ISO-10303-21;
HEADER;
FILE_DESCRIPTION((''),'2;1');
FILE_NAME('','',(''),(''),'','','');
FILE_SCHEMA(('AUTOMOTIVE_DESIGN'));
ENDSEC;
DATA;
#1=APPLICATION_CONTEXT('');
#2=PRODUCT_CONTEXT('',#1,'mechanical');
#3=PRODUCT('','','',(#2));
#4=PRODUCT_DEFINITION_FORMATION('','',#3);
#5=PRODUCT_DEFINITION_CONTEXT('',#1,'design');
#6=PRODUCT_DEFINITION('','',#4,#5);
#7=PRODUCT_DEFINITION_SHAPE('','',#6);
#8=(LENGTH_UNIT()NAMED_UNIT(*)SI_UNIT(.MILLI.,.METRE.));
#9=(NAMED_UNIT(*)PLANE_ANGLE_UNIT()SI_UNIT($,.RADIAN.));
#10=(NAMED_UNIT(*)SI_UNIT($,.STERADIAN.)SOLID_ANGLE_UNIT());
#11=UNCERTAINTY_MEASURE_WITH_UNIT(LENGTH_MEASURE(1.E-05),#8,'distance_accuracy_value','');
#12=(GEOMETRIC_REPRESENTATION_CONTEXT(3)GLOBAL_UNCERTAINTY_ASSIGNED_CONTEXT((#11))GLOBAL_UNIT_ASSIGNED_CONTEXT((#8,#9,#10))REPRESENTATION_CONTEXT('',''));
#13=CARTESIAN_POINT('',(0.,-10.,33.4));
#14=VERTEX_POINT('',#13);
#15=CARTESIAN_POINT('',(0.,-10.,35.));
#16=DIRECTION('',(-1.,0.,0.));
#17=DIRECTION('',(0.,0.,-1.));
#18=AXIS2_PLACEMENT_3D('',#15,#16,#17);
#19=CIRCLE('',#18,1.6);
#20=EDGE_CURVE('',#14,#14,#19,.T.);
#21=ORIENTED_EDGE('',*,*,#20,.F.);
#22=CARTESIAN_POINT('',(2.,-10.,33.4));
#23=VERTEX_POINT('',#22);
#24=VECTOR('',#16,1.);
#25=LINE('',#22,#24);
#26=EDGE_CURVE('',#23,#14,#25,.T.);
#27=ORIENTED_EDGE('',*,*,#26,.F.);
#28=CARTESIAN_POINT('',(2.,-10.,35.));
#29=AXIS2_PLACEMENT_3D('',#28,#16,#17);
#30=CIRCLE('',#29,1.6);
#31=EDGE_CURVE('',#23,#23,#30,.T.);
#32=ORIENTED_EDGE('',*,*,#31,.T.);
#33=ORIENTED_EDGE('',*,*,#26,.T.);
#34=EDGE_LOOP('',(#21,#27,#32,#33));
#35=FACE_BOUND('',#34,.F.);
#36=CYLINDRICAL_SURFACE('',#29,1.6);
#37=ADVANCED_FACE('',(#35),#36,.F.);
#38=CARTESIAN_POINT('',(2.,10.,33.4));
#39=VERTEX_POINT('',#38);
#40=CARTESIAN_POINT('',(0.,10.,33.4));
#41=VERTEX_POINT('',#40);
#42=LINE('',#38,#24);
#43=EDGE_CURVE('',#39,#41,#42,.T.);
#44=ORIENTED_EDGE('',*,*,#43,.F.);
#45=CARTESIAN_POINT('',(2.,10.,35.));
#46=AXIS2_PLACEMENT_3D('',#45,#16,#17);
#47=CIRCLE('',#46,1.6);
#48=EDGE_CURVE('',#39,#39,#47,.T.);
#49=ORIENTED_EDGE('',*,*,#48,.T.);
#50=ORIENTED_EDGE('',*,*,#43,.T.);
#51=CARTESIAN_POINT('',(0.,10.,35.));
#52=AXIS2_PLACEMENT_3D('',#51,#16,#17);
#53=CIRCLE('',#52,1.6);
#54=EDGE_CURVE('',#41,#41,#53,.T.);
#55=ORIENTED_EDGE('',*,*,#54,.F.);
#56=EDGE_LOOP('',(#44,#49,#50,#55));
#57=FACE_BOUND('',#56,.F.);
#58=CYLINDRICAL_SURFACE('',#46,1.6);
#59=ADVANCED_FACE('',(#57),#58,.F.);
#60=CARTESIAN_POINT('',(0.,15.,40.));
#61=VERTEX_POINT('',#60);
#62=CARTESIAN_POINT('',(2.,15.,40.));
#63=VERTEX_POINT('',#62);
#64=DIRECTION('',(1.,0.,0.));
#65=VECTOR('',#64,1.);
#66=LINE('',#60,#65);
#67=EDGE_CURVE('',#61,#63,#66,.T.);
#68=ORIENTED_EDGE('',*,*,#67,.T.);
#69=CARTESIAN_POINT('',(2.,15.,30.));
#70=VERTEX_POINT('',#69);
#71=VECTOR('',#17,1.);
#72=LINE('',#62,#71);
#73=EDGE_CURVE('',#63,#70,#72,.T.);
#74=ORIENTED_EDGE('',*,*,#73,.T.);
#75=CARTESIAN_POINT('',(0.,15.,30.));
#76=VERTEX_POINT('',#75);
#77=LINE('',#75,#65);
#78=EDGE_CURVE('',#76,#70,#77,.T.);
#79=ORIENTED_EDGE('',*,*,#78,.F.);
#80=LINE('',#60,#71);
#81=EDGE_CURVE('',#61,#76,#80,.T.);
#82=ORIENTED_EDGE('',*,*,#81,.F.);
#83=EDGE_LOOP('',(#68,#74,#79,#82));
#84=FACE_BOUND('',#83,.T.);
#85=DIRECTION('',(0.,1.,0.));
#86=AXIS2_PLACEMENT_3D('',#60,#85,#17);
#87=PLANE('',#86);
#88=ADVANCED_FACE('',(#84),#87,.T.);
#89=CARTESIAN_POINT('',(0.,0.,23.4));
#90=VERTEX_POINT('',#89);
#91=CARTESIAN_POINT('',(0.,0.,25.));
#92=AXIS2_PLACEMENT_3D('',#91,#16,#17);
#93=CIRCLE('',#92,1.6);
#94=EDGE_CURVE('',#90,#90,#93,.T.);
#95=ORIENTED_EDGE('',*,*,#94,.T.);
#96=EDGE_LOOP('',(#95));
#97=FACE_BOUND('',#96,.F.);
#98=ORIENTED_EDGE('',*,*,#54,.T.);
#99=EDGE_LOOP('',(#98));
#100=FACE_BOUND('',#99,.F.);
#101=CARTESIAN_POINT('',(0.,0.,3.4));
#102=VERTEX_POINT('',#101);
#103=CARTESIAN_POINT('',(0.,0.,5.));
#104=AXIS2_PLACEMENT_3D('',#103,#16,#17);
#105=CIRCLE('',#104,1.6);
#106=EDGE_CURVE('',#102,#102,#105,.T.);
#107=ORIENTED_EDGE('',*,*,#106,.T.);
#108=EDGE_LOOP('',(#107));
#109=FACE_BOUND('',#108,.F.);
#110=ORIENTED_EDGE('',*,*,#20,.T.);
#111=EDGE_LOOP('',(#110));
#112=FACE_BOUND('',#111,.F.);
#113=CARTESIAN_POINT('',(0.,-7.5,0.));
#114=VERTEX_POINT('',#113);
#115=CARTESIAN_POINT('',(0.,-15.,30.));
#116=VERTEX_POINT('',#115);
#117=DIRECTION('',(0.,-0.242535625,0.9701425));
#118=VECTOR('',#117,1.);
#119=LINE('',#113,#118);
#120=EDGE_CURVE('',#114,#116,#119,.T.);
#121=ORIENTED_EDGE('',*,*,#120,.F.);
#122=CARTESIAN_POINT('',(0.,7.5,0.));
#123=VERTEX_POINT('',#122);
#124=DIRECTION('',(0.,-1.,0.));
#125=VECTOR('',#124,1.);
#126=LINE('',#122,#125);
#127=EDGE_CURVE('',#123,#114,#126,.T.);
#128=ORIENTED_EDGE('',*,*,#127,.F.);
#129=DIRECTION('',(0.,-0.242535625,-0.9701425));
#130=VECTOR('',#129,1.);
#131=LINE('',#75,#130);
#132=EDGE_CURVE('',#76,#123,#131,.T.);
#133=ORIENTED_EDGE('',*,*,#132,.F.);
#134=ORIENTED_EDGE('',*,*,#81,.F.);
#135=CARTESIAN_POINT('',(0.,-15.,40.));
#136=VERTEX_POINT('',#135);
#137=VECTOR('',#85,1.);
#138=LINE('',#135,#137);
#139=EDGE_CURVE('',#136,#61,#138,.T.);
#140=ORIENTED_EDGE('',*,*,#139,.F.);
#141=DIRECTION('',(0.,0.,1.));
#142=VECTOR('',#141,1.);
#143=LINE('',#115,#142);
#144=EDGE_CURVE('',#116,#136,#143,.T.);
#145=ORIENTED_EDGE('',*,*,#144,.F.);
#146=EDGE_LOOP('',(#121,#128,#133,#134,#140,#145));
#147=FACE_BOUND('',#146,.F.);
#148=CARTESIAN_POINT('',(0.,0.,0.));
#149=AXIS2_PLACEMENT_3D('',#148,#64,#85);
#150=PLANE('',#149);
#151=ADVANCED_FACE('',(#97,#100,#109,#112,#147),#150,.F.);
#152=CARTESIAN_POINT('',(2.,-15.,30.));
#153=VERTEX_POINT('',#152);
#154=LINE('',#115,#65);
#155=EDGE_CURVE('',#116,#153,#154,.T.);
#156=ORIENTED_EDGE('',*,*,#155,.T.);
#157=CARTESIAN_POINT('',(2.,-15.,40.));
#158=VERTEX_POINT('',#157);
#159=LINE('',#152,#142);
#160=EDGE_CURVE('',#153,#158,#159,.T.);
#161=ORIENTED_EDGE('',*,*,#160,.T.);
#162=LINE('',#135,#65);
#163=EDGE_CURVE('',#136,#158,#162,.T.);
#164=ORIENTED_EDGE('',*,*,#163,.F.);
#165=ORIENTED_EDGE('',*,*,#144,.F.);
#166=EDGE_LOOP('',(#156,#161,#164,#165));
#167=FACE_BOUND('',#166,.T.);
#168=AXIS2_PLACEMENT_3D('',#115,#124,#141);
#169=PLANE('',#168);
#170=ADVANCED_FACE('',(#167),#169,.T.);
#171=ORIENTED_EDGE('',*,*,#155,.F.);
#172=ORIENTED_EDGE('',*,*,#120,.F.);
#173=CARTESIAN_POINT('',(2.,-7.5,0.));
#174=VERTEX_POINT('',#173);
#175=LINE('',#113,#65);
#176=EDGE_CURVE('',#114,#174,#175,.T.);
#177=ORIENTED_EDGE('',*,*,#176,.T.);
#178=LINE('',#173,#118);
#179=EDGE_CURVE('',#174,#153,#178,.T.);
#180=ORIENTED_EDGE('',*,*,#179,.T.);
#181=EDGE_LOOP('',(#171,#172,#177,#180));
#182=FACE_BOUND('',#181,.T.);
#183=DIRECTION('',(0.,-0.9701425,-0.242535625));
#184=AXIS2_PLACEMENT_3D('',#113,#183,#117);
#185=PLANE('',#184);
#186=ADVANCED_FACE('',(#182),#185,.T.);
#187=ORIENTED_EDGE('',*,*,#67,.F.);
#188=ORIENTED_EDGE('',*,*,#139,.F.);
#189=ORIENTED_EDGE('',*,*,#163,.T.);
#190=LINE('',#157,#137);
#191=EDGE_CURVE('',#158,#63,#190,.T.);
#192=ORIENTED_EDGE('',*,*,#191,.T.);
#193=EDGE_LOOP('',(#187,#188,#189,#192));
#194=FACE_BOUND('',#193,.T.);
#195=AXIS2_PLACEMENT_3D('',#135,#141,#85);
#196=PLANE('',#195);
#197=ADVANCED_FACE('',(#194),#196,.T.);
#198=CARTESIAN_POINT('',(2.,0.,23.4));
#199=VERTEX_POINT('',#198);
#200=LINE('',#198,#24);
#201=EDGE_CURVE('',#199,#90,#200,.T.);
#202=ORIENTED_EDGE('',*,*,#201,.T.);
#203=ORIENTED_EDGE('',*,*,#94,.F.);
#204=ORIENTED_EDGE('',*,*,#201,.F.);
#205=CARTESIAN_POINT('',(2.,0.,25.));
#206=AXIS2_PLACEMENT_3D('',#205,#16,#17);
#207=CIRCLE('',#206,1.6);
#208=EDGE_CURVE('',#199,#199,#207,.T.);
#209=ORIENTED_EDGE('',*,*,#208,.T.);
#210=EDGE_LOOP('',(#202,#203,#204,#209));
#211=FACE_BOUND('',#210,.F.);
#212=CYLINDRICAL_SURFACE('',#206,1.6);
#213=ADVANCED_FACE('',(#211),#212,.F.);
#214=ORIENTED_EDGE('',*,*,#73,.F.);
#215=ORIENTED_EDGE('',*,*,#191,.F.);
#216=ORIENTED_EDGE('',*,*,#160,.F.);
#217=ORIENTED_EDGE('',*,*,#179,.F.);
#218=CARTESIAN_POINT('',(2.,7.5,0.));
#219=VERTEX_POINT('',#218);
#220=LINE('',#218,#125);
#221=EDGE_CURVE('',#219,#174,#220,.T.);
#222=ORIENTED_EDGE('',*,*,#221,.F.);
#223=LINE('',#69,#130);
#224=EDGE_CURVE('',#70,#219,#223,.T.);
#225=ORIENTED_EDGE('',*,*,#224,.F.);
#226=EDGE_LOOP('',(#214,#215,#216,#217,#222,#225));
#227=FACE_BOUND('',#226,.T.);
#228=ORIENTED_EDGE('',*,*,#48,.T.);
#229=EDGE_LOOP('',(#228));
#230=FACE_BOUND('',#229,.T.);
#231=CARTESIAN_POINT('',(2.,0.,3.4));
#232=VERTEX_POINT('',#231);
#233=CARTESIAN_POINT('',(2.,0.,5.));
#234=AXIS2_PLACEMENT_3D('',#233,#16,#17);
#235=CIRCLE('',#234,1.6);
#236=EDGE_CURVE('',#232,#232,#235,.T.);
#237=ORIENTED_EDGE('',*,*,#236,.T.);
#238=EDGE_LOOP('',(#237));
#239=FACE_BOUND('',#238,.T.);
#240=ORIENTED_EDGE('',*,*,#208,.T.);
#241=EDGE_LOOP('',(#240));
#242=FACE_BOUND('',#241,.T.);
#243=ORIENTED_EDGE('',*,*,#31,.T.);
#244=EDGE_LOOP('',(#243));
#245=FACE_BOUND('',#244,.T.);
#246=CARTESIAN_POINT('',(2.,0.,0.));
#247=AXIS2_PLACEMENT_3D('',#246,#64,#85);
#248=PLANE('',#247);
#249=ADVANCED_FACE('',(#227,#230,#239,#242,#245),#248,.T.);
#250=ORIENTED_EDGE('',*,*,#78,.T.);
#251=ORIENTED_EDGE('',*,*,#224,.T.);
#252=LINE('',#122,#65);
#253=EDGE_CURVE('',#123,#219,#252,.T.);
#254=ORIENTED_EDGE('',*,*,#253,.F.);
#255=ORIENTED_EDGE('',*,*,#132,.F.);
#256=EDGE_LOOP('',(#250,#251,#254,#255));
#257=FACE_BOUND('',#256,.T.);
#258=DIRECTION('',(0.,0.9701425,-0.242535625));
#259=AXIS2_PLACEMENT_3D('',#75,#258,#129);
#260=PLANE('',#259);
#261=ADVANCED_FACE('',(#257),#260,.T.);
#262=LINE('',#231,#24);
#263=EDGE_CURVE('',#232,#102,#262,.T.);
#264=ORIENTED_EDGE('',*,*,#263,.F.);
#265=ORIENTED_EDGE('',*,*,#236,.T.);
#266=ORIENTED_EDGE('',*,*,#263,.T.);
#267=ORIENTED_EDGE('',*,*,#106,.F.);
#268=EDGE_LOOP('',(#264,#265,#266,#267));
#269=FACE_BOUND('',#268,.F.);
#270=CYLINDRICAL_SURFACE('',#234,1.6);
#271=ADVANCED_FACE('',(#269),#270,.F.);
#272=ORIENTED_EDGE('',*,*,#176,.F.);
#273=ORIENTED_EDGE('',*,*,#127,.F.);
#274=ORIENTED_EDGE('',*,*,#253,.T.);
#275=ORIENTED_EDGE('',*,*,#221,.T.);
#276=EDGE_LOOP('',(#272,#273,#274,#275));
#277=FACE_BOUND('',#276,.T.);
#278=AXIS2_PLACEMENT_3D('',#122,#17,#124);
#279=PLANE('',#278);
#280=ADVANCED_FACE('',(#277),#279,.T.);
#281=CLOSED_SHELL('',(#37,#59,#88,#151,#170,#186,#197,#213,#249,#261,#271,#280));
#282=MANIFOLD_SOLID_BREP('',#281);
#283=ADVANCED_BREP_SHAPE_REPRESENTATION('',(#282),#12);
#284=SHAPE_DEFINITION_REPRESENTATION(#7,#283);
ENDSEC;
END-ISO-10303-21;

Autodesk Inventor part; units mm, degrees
ref_plane "YZ Plane" through (0, 0, 0) normal (1, 0, 0) x (0, 1, 0)
ref_plane "XZ Plane" through (0, 0, 0) normal (0, 1, 0) x (-1, 0, 0)
ref_plane "XY Plane" through (0, 0, 0) normal (0, 0, 1) x (1, 0, 0)
sketch "スケッチ1" plane through (0, 0, 0) normal (1, 0, 0) x (0, 1, 0)
  line L0 (-7.5, 30) -> (7.5, 30)
  line L1 (7.5, 30) -> (7.5, 0)
  line L2 (7.5, 0) -> (-7.5, 0)
  line L3 (-7.5, 0) -> (-7.5, 30)
  line L4 (-15, 40) -> (15, 40)
  line L5 (15, 40) -> (15, 30)
  line L6 (15, 30) -> (-15, 30)
  line L7 (-15, 30) -> (-15, 40)
  line L8 (15, 30) -> (7.5, 0)
  line L9 (-7.5, 0) -> (-15, 30)
  point P0 (0, 0)
  point P1 (0, 0)
  point P2 (0, 30)
  dimension "d0" = 15
  dimension "d1" = 30
  dimension "d2" = 30
  dimension "d3" = 10
extrude "押し出し1" add sketch "スケッチ1" along normal blind 2
sketch "スケッチ2" plane through (2, 0, 0) normal (1, 0, 0) x (0, 0, -1)
  line L0 (0, -7.5) -> (0, 7.5) projected
  line L1 (-30, 15) -> (-40, 15) projected
  line L2 (-40, -15) -> (-30, -15) projected
  point P0 (0, 0)
  point P1 (-35, 10)
  point P2 (-35, -10)
  point P3 (-25, 0)
  point P4 (-5, 0)
  point P5 (0, 0)
  point P6 (-35, 15)
  dimension "d6" = 5
  dimension "d7" = 20
  dimension "d8" = 5
  dimension "d9" = 5
hole "穴1" at (2, 10, 35) at (2, -10, 35) at (2, 0, 25) at (2, 0, 5) direction (-1, 0, 0) diameter 3.2 end through all
properties part number "FrameJointT1515" material "アルミニウム 6061"
